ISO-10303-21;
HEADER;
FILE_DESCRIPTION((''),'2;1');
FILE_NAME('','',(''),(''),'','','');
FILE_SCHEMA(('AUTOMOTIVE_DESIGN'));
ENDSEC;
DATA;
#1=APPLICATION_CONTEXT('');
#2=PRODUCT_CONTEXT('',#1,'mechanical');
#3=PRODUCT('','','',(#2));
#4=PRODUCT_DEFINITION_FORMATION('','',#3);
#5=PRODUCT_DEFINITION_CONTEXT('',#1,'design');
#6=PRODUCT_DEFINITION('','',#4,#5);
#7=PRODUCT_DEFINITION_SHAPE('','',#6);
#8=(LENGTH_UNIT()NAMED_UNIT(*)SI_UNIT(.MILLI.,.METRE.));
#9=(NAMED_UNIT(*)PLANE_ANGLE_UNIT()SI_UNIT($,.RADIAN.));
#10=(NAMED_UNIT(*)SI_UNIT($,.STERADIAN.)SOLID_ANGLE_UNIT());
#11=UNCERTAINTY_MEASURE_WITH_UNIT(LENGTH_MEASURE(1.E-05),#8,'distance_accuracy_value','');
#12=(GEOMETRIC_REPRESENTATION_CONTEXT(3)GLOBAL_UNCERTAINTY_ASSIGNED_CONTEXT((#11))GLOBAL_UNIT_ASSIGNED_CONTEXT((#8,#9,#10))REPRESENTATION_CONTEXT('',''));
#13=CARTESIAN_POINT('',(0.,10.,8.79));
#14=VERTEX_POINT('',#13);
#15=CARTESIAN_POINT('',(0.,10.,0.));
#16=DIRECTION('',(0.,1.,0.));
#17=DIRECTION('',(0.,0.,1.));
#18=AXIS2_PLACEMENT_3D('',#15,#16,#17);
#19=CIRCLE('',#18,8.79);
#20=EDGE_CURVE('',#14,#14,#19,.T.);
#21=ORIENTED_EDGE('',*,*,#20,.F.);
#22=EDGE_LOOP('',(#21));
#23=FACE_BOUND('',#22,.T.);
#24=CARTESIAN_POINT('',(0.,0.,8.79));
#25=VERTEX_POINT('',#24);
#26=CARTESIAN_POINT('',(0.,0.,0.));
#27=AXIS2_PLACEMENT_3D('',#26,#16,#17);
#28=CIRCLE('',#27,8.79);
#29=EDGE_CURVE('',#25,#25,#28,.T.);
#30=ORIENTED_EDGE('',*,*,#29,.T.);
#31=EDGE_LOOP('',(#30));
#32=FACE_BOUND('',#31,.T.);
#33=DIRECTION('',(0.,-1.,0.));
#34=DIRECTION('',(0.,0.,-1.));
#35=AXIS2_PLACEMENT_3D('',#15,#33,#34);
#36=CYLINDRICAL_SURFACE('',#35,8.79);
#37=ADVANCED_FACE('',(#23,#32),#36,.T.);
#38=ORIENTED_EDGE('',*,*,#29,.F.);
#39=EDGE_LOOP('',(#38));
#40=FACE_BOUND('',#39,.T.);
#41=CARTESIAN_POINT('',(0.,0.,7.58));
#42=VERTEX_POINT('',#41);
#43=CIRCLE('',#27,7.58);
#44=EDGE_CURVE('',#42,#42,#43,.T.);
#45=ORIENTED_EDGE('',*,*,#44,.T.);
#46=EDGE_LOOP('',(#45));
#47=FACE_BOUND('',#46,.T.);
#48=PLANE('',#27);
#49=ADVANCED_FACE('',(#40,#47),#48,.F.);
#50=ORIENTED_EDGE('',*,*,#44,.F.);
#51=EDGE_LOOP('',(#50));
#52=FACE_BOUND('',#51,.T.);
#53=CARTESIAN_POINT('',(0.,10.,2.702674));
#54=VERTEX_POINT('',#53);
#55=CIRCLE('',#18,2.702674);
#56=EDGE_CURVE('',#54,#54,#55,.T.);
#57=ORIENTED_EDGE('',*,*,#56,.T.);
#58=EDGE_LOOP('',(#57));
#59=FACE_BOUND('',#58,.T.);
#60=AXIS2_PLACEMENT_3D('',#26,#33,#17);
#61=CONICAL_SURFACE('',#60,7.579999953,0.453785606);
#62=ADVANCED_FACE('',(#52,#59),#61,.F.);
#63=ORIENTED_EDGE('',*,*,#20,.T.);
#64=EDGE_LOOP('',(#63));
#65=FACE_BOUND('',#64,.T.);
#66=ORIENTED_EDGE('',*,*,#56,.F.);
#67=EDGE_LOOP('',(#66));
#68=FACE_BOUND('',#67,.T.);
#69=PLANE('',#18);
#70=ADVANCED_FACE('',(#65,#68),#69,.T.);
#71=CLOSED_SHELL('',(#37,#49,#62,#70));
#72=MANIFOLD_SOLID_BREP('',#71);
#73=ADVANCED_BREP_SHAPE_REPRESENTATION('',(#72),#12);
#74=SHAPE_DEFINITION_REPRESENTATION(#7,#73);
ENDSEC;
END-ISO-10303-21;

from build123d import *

# Parameters (mm, degrees)
SKETCH1_R           = 8.79
SKETCH1_R_2         = 7.579999953
BOSS_EXTRUDE1_DEPTH = 10
DRAFT3_ANGLE        = 26


with BuildPart() as part:
    # Sketch1 → Boss-Extrude1 (new body)
    with BuildSketch(Plane(origin=(0, 0, 0), x_dir=(1, 0, 0), z_dir=(0, 1, 0))):
        with Locations(Location((0, 0, 0), (0, 0, 270))):
            Circle(SKETCH1_R)
        with Locations(Location((0, 0, 0), (0, 0, 270))):
            Circle(SKETCH1_R_2, mode=Mode.SUBTRACT)
    extrude(amount=BOSS_EXTRUDE1_DEPTH)

    # Draft3
    draft3_faces = [part.faces().sort_by_distance(p)[0] for p in [
        (0, 5, -7.579999953),
    ]]
    draft(draft3_faces, Plane(origin=(0, 0, 0), x_dir=(0, 0, -1), z_dir=(0, -1, 0)), DRAFT3_ANGLE)


solid = part.part
